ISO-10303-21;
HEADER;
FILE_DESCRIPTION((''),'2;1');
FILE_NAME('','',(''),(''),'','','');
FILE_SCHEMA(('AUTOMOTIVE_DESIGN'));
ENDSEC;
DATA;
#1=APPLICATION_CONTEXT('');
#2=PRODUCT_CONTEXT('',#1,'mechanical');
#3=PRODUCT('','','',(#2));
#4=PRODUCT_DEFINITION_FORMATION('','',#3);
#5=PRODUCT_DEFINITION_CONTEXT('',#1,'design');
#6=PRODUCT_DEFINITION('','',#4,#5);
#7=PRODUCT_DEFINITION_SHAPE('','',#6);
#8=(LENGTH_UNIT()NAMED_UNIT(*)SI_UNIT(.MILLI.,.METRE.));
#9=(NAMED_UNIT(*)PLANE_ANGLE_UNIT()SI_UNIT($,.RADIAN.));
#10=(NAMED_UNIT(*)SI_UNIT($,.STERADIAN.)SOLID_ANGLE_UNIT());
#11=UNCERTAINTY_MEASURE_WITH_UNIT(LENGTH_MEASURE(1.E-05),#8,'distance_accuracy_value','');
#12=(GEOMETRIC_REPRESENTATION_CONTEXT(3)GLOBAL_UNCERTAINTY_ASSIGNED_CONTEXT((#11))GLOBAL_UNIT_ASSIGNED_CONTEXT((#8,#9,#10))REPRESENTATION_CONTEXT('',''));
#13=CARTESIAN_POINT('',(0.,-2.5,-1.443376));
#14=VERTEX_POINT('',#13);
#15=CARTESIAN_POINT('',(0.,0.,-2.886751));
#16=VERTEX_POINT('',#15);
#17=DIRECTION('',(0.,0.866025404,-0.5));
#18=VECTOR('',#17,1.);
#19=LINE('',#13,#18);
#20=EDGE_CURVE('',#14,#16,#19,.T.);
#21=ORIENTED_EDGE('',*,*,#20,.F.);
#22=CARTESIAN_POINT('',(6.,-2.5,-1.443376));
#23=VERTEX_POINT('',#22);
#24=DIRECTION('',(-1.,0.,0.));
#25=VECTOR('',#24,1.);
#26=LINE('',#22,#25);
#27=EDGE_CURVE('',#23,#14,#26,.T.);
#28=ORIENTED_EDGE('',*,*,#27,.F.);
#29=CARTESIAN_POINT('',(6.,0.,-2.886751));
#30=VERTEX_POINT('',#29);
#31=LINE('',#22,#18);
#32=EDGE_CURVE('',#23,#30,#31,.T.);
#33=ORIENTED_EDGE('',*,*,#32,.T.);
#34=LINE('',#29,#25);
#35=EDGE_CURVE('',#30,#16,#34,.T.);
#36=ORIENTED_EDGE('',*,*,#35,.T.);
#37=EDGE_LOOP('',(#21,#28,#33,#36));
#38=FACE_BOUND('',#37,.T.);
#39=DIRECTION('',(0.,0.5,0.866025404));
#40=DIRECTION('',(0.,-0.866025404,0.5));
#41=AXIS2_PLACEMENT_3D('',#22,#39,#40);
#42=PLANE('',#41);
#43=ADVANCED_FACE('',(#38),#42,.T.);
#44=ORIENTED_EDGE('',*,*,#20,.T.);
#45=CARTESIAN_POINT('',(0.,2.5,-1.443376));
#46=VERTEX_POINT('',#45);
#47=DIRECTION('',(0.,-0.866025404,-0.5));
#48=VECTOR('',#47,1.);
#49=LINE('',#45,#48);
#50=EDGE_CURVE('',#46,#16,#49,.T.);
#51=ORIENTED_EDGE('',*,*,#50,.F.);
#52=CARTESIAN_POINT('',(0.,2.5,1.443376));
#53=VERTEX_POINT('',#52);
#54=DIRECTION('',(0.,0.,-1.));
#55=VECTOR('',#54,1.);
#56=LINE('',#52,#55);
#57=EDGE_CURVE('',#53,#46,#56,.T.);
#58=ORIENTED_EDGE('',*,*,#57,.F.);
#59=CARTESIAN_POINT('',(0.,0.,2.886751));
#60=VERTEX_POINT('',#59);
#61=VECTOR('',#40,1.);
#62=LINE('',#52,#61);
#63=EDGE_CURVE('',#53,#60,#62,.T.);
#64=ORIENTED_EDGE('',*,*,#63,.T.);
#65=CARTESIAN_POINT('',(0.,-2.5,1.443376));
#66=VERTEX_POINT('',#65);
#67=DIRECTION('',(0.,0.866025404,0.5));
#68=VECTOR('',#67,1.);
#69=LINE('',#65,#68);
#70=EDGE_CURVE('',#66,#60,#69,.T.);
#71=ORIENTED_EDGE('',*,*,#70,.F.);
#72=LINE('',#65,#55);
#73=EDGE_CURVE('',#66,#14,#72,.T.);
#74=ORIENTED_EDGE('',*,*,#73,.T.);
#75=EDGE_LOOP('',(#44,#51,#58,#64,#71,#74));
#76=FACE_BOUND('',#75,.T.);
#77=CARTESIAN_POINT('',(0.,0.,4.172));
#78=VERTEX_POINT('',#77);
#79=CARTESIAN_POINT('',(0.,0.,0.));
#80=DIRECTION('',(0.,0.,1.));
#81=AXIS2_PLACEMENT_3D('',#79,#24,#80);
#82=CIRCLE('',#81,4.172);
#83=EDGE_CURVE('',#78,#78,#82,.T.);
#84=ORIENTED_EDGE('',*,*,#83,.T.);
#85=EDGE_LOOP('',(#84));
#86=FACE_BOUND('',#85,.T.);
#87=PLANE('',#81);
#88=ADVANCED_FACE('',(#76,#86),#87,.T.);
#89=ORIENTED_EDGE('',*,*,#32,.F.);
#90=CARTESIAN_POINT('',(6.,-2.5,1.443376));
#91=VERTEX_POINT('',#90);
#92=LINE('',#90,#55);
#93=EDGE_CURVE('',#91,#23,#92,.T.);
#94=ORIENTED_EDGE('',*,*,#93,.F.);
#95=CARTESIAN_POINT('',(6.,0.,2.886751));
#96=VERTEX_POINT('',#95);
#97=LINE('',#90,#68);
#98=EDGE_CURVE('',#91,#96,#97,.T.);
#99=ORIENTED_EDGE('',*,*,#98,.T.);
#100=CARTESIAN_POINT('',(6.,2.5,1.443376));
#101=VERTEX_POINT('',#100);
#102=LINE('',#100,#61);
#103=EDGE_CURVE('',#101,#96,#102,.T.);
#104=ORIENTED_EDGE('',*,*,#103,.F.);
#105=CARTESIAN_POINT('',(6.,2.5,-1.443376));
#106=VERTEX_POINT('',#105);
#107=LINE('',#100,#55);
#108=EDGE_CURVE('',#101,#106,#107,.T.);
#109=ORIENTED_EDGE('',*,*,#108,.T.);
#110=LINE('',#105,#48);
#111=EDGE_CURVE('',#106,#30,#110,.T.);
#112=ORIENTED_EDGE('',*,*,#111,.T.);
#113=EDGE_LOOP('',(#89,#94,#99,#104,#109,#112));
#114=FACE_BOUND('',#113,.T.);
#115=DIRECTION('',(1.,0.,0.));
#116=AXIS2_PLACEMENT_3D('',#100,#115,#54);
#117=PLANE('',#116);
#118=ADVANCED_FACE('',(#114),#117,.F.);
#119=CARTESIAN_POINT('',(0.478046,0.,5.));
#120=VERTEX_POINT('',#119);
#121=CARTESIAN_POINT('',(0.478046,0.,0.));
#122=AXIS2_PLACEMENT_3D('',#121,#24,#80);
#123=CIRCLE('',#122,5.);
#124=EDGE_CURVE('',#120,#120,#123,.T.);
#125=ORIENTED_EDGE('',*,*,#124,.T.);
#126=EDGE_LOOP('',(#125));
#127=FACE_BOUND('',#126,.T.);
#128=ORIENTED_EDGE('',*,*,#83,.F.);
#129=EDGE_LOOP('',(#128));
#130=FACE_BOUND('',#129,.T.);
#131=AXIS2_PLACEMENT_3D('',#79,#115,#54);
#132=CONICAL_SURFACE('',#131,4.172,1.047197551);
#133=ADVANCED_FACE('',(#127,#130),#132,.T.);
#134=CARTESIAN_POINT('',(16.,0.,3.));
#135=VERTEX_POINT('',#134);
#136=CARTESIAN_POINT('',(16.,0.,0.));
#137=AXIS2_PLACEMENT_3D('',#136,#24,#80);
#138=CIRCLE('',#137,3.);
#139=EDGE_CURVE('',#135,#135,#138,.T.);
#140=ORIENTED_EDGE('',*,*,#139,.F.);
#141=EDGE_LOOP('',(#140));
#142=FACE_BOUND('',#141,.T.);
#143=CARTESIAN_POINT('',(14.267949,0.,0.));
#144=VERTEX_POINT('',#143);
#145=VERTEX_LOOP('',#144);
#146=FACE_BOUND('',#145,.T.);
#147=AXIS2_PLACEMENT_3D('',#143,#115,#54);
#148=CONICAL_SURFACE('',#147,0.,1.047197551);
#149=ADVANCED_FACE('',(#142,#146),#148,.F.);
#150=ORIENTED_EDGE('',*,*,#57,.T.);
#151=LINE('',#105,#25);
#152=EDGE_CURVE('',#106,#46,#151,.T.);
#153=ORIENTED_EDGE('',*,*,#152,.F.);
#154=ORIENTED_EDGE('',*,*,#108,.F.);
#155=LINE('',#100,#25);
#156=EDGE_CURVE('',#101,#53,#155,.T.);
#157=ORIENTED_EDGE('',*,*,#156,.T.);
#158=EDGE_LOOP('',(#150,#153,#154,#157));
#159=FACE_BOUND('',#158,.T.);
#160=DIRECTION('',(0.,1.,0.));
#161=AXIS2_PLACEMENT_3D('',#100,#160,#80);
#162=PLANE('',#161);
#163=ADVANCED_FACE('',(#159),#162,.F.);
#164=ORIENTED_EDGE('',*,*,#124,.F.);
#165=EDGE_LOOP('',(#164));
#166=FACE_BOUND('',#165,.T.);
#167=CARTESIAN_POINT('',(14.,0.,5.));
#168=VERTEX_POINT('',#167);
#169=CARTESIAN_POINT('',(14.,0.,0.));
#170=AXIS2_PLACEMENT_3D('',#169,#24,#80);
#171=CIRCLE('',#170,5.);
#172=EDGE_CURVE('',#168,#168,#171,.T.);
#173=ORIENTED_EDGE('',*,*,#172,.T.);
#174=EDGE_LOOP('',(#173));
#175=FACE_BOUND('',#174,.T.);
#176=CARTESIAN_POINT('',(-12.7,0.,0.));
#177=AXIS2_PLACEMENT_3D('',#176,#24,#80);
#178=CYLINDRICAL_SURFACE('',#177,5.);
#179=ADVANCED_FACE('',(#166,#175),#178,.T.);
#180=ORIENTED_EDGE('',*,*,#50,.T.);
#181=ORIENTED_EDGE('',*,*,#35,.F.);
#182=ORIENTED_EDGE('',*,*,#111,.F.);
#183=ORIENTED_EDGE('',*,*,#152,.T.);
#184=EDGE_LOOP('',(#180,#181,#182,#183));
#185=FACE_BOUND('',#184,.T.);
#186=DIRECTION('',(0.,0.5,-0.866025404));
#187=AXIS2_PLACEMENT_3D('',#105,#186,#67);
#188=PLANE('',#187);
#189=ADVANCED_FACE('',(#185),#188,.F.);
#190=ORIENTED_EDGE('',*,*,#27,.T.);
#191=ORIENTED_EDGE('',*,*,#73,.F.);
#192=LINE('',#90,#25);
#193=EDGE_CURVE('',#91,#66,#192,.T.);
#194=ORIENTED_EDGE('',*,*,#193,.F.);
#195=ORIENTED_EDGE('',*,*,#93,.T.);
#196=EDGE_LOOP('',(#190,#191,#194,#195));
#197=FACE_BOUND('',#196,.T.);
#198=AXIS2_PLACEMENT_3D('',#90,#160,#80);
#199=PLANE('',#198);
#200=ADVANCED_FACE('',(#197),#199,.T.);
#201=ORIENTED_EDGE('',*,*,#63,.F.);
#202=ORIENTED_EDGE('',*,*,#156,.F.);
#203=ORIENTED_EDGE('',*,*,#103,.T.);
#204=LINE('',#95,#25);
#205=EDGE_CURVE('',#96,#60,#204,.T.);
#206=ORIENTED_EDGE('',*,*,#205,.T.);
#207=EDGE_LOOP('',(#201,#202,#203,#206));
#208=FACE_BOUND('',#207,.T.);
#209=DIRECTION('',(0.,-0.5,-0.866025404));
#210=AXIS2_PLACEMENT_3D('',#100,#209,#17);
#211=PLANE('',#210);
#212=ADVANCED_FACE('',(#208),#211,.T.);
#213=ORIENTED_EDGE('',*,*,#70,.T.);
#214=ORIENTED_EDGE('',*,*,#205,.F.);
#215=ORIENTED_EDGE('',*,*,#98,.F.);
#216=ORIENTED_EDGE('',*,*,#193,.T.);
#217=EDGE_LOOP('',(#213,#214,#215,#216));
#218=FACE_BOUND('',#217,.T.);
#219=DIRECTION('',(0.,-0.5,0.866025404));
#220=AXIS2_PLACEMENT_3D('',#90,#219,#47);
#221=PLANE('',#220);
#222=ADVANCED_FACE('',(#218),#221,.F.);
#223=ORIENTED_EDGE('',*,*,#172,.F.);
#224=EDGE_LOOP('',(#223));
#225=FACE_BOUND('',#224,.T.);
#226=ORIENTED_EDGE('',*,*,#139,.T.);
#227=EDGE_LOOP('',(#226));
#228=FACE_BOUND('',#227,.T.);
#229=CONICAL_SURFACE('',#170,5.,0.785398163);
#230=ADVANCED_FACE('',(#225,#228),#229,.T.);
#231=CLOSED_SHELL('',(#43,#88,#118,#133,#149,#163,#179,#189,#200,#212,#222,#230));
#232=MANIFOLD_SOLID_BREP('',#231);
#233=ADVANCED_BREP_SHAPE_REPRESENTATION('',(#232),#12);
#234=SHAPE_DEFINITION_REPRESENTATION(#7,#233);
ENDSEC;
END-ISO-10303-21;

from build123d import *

# Parameters (mm, degrees)
HEX_2_DEPTH = 6


with BuildPart() as part:
    # BodySke → BaseBody (revolve)
    with BuildSketch(Plane.XY):
        Polygon((0, 0), (0, 4.172), (0.478046023, 5), (14, 5), (16, 3), (14.267949192, 0), align=None)
    revolve(axis=Axis((-12.7, 0, 0), (1, 0, 0)))

    # Sketch2 → Hex 2 (cut)
    with BuildSketch(Plane.ZY):
        Polygon((1.443375673, 2.5), (-1.443375673, 2.5), (-2.886751346, 0), (-1.443375673, -2.5), (1.443375673, -2.5), (2.886751346, 0), align=None)
    extrude(amount=-HEX_2_DEPTH, mode=Mode.SUBTRACT)


solid = part.part
